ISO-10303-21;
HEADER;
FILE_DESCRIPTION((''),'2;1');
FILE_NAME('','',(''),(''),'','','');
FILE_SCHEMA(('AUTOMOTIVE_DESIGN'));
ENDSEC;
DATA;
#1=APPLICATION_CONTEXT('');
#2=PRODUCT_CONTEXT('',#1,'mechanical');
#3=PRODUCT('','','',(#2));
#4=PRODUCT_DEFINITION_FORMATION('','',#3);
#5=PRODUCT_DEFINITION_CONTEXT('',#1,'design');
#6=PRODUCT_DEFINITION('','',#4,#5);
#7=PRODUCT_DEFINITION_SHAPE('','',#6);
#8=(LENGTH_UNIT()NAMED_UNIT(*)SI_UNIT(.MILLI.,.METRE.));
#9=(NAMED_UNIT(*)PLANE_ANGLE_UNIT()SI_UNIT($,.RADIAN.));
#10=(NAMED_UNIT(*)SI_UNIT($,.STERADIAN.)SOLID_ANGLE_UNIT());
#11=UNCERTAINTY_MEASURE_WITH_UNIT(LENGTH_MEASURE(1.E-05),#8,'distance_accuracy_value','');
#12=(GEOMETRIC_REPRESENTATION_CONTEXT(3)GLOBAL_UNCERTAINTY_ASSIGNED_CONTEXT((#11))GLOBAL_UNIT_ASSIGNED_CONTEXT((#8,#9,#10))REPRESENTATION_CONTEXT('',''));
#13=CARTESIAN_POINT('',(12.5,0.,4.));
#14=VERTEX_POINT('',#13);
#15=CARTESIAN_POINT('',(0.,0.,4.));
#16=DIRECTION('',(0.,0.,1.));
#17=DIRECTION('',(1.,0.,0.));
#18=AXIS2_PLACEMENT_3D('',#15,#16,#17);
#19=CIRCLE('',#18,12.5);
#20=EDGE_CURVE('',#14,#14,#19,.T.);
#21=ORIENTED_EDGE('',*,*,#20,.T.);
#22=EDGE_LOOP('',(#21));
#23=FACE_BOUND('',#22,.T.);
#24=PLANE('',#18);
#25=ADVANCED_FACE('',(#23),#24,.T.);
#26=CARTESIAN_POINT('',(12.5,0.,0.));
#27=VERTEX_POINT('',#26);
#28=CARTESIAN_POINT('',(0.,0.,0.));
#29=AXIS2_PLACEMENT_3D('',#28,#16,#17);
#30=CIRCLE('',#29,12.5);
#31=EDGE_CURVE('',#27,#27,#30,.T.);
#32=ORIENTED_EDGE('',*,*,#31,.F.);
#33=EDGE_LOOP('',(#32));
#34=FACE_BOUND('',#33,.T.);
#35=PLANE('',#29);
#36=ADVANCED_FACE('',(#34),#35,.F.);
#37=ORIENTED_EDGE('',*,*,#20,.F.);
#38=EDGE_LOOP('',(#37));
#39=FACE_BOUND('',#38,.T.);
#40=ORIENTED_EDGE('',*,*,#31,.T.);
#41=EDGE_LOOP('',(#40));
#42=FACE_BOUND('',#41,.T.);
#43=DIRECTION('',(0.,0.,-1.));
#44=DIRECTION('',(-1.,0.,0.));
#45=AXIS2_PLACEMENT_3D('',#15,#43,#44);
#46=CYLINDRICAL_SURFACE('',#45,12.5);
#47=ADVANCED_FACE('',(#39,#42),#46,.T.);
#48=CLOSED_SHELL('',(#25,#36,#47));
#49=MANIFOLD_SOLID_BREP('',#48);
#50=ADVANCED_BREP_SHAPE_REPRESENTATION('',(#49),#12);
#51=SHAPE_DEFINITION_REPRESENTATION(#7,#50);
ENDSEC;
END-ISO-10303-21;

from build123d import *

# Parameters (mm, degrees)
SKETCH_1_R      = 12.5
EXTRUDE_1_DEPTH = 4


with BuildPart() as part:
    # Эскиз1 → Бобышка-Вытянуть1 (new body)
    with BuildSketch(Plane.XY):
        Circle(SKETCH_1_R)
    extrude(amount=EXTRUDE_1_DEPTH)


solid = part.part
